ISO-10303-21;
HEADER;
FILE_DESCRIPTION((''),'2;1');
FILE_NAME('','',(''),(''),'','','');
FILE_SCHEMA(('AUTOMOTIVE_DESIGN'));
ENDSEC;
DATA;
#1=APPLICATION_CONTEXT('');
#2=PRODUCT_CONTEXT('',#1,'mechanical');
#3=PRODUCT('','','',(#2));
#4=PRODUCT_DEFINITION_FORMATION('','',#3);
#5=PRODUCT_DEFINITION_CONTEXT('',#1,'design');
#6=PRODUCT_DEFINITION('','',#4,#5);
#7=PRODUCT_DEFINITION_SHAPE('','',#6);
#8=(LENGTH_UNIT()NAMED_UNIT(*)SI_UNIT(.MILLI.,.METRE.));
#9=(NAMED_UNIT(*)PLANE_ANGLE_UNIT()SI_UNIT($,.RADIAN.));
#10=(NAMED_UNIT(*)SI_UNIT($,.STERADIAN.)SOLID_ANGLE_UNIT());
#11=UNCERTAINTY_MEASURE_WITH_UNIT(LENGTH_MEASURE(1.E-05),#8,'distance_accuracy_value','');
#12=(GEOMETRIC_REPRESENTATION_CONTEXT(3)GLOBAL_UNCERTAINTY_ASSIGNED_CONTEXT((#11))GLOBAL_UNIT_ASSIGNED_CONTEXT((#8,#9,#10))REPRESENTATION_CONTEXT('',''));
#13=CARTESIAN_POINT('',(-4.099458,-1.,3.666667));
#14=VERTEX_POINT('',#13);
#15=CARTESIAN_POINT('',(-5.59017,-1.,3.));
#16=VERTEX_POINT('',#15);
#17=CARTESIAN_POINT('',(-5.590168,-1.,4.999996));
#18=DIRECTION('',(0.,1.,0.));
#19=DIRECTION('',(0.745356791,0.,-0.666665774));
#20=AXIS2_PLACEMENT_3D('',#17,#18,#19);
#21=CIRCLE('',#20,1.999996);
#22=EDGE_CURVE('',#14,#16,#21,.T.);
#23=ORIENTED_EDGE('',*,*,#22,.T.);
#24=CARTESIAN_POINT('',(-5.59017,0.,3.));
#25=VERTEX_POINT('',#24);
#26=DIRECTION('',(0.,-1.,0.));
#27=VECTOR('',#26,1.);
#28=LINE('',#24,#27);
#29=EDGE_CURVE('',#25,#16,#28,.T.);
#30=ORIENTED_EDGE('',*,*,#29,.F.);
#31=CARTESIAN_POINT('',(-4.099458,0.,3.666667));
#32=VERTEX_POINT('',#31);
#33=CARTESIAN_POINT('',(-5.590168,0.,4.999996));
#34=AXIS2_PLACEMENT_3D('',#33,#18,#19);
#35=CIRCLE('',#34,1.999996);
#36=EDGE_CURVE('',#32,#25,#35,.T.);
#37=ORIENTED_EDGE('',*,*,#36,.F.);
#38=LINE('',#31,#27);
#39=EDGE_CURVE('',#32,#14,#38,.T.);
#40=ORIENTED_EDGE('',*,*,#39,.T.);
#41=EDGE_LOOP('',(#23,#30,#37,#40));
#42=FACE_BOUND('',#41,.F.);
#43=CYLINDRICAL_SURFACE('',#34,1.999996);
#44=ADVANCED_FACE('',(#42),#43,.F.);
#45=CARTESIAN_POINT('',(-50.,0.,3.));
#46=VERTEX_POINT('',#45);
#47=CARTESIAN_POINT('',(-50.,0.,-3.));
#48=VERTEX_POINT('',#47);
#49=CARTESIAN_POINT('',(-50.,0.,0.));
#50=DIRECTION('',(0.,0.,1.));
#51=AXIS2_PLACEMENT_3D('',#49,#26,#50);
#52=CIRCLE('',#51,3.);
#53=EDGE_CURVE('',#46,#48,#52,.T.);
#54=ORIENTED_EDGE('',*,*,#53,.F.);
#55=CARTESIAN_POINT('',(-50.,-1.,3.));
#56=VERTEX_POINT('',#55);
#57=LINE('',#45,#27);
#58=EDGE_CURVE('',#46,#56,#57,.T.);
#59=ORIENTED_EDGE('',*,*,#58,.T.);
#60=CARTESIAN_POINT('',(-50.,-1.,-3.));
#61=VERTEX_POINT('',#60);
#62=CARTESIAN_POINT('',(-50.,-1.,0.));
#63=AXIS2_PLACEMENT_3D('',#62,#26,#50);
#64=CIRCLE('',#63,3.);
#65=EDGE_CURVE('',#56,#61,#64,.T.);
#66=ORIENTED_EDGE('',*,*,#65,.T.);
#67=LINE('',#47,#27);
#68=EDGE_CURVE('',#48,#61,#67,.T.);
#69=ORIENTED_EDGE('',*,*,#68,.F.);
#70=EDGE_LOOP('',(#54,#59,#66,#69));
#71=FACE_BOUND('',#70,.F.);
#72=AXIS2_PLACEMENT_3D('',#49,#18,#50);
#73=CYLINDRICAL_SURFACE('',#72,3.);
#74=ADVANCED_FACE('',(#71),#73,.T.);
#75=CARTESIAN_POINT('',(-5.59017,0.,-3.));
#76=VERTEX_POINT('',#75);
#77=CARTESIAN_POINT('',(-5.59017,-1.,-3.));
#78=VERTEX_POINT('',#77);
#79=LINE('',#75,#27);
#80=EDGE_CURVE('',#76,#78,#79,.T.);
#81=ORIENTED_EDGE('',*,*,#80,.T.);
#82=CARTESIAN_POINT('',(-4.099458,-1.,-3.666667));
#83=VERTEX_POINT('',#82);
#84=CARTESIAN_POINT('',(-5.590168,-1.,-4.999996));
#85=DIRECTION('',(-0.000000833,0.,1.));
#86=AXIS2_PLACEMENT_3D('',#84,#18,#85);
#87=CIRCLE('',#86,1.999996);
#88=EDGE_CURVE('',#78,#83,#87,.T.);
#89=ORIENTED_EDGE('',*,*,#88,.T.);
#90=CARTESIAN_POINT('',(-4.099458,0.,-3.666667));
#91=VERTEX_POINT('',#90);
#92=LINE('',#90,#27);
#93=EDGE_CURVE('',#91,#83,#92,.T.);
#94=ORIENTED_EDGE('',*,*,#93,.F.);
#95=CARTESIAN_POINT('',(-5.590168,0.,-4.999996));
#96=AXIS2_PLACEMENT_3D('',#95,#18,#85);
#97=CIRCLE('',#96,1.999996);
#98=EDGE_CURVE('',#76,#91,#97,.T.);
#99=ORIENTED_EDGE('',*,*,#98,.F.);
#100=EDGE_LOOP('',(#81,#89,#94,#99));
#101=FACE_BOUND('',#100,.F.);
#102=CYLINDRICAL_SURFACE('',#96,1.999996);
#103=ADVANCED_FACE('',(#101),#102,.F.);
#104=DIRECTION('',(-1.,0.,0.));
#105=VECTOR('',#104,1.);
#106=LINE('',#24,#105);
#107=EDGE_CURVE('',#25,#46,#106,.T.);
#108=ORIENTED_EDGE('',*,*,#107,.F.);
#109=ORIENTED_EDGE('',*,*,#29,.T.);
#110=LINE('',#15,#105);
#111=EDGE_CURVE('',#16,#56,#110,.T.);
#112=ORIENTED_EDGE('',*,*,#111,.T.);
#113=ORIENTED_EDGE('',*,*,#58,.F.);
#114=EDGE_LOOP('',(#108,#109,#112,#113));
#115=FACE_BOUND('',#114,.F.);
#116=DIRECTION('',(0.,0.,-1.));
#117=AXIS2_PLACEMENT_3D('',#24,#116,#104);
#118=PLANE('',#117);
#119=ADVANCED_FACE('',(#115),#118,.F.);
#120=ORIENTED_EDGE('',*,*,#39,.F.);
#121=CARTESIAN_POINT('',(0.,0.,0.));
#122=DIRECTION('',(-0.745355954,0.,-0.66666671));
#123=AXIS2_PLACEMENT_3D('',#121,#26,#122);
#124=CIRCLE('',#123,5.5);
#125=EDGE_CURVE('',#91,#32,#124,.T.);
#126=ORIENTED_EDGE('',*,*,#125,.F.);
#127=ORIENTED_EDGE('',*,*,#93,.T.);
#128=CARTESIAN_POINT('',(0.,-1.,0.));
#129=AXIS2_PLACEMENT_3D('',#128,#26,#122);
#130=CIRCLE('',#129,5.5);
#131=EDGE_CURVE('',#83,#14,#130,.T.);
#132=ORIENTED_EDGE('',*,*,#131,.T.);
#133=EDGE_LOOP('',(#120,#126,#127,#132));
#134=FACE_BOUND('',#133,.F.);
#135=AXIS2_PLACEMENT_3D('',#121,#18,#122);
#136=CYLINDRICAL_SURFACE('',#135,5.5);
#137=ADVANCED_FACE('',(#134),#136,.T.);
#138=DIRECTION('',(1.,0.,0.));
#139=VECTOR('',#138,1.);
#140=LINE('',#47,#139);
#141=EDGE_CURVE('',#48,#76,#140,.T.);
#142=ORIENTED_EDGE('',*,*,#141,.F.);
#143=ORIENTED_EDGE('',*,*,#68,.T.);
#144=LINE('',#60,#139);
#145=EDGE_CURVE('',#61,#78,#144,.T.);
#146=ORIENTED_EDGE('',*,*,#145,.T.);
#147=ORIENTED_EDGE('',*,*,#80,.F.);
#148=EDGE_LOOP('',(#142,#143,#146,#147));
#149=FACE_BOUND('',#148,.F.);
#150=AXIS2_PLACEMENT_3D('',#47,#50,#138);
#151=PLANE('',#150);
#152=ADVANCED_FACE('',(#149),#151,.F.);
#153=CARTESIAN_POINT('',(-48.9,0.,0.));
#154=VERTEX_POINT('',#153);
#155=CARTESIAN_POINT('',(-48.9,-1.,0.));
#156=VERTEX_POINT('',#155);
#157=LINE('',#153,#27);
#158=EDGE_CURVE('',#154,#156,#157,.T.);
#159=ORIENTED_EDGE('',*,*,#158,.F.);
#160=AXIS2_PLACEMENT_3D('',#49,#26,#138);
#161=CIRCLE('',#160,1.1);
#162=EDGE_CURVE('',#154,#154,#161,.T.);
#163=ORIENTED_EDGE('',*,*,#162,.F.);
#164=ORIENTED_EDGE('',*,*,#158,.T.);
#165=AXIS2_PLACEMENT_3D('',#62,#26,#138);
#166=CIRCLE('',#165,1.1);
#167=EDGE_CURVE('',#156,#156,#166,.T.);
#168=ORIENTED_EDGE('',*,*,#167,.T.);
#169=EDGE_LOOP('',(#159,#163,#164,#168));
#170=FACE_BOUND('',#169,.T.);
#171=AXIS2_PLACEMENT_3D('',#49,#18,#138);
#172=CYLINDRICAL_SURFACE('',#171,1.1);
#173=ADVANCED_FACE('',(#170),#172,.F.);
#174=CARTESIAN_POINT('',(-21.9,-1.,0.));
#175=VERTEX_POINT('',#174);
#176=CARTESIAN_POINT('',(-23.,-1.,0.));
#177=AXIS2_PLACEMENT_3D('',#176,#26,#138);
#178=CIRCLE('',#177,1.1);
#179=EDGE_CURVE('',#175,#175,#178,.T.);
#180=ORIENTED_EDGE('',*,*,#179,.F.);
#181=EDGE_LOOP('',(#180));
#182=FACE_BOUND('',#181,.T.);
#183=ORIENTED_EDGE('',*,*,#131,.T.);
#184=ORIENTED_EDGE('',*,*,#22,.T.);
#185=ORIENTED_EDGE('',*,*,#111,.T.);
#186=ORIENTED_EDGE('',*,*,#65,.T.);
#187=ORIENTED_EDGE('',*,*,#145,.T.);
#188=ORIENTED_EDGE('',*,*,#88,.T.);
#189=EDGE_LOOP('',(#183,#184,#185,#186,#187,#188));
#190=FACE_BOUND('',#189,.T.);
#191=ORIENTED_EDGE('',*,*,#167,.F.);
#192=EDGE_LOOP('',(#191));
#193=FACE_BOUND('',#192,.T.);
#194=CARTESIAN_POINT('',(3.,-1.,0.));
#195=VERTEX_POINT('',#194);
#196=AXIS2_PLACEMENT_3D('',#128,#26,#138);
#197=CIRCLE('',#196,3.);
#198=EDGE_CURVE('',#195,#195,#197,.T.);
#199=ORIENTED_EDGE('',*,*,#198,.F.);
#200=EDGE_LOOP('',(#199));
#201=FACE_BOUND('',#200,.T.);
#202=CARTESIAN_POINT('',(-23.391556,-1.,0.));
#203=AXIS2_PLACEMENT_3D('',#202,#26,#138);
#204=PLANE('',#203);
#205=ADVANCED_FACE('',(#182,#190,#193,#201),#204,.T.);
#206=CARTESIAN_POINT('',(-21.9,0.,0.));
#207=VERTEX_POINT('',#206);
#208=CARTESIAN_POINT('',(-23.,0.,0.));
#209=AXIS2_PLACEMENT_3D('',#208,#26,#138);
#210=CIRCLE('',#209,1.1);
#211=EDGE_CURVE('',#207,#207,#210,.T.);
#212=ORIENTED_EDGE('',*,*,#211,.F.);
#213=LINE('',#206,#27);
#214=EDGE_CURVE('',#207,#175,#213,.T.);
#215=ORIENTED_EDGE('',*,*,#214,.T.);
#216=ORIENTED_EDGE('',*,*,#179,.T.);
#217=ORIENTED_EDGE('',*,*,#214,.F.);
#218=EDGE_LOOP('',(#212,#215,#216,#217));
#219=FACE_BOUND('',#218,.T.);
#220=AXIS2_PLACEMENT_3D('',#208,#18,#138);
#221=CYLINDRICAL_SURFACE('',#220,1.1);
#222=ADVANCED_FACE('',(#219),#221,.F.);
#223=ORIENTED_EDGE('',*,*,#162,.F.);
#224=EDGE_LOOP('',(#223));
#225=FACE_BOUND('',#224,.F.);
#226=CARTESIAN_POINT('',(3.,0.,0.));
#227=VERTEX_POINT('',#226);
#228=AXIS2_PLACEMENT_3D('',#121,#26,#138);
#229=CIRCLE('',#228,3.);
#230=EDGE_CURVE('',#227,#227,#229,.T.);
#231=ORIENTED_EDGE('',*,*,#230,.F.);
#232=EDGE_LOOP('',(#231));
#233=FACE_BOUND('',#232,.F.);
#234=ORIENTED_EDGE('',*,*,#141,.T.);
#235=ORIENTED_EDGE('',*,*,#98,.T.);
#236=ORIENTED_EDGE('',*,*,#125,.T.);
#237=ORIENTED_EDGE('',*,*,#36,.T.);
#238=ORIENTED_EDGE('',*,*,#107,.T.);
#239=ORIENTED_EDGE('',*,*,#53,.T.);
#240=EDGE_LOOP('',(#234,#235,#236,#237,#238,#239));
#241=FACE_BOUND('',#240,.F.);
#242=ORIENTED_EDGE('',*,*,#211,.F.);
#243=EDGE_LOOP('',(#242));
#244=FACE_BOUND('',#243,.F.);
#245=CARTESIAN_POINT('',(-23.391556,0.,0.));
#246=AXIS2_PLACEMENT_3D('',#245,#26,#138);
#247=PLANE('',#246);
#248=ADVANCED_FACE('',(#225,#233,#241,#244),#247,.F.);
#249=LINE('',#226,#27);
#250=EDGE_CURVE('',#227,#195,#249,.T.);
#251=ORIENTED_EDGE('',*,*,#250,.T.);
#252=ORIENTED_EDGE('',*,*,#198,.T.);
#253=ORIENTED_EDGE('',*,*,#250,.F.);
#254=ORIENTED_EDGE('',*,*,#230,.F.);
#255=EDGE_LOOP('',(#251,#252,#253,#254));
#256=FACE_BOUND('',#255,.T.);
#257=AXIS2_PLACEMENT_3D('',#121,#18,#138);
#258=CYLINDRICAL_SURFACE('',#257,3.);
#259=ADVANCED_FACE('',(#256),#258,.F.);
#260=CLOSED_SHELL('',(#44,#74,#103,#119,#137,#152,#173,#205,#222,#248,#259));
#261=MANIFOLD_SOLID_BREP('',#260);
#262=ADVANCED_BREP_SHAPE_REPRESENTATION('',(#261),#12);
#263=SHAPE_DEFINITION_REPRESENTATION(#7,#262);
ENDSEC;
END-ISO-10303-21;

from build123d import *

# Parameters (mm, degrees)
F0_R     = 1.1
F0_R_2   = 3
F1_DEPTH = 1


with BuildPart() as f1:
    # F0 (on Front) → F1 (new body)
    with BuildSketch(Plane.XZ):
        with BuildLine():
            ThreePointArc((-5.59017, -3), (-4.773673, -3.174258), (-4.099458, -3.666667))
            ThreePointArc((-4.099458, -3.666667), (5.5, 0), (-4.099458, 3.666667))
            ThreePointArc((-4.099458, 3.666667), (-4.773673, 3.174258), (-5.59017, 3))
            Line((-5.59017, 3), (-50, 3))
            ThreePointArc((-50, 3), (-53, 0), (-50, -3))
            Line((-50, -3), (-5.59017, -3))
        make_face()
        with Locations((-50, 0)):
            Circle(F0_R, mode=Mode.SUBTRACT)
        with Locations((-23, 0)):
            Circle(F0_R, mode=Mode.SUBTRACT)
        Circle(F0_R_2, mode=Mode.SUBTRACT)
    extrude(amount=F1_DEPTH)


solid = f1.part
